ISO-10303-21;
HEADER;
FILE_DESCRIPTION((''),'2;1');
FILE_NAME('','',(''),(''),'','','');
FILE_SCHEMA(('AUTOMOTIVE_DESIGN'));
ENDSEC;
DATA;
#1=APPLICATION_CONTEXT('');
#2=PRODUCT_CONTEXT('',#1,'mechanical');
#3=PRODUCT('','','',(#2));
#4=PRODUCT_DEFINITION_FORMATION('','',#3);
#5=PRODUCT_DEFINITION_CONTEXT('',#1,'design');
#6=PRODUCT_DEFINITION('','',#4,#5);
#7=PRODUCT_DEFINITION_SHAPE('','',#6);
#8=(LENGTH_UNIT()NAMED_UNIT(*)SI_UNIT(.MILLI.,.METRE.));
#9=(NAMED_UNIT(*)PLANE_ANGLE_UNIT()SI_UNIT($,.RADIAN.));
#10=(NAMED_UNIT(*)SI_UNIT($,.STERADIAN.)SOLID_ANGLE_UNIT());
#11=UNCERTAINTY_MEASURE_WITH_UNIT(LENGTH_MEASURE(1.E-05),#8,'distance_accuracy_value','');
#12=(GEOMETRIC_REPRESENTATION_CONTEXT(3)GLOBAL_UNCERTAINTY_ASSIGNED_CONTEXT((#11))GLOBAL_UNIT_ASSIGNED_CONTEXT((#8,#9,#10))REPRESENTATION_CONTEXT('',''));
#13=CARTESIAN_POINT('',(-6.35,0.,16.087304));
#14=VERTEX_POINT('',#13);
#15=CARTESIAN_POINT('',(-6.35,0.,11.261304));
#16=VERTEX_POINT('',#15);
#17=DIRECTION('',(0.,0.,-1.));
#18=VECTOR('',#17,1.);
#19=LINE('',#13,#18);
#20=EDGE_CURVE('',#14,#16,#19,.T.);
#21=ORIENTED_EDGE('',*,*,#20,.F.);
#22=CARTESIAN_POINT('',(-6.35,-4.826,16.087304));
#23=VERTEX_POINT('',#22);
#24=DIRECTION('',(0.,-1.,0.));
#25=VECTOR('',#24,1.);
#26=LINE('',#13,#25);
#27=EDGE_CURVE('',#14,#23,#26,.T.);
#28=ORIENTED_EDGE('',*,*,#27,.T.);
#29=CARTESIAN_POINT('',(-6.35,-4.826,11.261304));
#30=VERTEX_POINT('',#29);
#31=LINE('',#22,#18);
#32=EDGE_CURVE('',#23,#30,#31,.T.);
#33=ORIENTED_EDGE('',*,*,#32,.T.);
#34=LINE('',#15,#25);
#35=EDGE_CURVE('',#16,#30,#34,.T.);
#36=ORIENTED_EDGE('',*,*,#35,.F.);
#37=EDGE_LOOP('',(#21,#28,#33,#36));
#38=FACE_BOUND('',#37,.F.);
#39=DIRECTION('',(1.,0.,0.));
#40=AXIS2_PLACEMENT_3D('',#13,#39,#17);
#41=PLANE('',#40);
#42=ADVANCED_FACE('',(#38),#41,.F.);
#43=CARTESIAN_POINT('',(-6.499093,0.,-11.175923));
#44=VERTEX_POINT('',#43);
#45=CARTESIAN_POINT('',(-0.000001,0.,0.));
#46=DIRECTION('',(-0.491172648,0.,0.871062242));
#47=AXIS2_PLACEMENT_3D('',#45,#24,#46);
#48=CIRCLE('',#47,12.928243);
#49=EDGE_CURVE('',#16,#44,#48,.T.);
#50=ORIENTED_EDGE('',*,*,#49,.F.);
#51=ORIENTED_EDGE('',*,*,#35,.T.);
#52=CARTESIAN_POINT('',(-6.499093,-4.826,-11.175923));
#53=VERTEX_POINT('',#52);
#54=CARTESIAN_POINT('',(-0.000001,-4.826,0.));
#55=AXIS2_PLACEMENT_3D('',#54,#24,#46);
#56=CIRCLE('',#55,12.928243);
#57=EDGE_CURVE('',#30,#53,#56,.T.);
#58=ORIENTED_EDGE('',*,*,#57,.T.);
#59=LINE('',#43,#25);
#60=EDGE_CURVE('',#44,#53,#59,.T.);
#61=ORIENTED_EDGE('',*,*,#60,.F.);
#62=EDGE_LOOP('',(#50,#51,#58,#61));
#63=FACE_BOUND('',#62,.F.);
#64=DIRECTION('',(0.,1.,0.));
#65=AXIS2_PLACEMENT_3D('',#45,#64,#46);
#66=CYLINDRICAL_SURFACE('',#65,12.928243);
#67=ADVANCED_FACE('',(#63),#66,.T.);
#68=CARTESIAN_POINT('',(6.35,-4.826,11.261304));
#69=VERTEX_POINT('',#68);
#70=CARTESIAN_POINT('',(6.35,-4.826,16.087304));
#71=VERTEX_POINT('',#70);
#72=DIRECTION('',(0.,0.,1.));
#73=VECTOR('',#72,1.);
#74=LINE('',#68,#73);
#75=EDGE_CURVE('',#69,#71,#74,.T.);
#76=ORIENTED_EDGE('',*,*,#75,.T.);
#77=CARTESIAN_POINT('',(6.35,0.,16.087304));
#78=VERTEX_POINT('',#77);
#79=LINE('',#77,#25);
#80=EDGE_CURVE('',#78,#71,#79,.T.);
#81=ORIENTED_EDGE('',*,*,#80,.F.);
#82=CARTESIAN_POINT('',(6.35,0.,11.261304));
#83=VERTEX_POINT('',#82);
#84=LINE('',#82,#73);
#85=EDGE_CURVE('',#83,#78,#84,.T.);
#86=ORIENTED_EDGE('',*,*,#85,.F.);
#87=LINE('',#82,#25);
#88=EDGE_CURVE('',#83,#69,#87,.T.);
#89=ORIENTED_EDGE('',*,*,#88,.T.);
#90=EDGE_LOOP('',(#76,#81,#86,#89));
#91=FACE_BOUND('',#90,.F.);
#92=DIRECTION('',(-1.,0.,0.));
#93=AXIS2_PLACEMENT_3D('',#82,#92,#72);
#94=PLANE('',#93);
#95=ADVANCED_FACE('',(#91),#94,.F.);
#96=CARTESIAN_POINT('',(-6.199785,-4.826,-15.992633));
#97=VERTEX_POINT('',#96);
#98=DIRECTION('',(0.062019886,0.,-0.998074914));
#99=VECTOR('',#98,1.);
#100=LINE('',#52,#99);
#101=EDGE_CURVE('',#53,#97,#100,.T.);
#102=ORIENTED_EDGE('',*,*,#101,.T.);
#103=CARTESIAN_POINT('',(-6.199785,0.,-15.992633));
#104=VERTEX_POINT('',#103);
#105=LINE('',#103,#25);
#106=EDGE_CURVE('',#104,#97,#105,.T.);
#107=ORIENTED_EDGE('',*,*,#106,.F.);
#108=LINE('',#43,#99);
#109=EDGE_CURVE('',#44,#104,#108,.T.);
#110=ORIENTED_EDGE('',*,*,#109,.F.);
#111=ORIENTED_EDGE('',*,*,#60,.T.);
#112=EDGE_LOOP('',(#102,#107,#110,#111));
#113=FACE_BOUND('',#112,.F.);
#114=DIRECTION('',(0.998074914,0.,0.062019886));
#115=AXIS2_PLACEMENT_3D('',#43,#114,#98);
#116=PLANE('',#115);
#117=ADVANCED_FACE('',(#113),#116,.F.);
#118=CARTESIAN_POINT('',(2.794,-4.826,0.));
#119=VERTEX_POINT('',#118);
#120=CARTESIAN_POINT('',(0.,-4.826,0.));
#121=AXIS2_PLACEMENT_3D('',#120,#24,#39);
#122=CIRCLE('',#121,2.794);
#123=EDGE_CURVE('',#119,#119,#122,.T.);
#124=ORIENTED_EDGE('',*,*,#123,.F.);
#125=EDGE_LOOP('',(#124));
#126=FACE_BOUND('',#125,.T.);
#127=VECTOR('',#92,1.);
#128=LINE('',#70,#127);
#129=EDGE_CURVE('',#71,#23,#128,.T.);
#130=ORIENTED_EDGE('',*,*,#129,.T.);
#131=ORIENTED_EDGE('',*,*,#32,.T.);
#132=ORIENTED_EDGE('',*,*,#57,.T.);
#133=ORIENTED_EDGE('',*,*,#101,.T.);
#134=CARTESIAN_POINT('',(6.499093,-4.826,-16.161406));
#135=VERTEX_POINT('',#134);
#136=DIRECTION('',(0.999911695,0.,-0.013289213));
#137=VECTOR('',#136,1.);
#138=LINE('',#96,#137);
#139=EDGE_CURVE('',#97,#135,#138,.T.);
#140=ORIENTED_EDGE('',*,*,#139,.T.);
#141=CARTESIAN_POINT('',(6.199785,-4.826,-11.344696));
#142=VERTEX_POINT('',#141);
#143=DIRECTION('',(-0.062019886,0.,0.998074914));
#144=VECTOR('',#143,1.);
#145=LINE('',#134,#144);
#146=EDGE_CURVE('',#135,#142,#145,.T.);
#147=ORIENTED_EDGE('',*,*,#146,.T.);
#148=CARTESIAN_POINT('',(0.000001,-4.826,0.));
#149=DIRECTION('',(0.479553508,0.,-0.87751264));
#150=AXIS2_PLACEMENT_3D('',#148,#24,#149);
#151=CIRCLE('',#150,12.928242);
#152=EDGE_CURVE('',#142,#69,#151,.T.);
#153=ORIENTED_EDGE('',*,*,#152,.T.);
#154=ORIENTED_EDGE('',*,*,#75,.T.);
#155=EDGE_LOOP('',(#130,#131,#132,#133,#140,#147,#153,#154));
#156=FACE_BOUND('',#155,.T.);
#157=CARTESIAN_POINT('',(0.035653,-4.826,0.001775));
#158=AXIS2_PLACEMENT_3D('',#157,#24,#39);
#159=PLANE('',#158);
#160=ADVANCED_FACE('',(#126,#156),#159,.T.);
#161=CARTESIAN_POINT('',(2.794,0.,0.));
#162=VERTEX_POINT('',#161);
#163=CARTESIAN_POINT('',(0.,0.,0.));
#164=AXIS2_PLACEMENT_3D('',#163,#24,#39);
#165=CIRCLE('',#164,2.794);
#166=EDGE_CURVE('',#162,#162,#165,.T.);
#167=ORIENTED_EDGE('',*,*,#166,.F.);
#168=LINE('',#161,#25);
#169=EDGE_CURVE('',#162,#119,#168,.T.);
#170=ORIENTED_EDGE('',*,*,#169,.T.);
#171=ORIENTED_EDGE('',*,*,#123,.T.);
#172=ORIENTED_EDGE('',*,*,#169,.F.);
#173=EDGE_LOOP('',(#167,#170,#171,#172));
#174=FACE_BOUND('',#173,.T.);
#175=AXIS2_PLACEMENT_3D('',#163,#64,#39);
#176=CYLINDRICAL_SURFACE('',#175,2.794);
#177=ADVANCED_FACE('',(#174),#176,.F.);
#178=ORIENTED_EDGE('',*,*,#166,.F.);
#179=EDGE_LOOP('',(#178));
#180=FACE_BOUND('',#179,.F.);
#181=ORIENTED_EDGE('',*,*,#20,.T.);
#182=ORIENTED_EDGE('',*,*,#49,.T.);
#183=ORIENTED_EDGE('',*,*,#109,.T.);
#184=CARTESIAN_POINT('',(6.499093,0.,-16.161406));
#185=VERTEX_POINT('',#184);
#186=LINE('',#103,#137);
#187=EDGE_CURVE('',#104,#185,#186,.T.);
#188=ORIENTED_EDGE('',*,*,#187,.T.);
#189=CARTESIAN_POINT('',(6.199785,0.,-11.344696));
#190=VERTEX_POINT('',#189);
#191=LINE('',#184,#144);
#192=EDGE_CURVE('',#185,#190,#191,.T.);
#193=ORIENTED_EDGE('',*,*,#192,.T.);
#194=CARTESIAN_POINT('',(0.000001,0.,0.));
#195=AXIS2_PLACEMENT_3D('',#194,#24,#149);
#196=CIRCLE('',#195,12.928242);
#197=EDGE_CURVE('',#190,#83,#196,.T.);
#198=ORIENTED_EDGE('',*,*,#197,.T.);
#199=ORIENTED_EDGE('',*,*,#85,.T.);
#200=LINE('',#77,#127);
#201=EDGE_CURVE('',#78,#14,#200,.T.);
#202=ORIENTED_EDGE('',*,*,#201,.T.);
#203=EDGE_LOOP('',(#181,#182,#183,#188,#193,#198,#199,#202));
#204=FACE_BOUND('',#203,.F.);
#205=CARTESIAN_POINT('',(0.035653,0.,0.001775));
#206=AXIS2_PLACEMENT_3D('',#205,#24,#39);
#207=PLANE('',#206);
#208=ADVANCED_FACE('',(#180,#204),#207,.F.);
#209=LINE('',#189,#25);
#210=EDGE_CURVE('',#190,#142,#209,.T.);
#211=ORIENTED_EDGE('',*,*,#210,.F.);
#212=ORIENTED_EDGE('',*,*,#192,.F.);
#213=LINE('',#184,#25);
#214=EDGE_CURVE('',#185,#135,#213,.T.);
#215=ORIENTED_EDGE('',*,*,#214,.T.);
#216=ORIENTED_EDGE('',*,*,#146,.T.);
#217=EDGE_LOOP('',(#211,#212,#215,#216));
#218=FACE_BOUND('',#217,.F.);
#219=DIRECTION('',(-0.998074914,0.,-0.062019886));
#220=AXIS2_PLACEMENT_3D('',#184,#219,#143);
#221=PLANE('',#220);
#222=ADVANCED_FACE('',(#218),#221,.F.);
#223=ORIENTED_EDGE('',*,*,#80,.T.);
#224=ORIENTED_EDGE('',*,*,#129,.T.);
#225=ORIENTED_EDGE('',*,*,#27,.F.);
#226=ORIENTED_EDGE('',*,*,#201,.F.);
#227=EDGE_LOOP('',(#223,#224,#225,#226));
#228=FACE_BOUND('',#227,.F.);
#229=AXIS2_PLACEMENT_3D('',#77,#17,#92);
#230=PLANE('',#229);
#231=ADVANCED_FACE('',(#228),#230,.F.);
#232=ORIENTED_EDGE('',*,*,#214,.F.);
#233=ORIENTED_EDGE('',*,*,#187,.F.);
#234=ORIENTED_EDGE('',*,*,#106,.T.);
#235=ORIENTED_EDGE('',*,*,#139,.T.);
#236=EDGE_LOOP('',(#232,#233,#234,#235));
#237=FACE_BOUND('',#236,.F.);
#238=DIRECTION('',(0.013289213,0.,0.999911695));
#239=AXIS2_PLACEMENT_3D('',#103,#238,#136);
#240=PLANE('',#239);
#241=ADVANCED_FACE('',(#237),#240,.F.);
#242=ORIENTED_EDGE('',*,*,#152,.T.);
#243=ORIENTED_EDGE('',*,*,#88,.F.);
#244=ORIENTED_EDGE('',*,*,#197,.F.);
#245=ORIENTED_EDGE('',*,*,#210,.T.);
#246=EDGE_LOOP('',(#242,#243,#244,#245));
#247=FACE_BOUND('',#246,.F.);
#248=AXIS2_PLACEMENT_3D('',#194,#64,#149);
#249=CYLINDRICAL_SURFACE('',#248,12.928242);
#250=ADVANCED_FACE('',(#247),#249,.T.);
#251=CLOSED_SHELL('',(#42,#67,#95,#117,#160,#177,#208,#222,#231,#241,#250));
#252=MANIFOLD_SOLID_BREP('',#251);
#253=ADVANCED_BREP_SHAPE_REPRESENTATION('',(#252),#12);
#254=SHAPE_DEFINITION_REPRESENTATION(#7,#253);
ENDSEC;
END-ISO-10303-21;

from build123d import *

# Parameters (mm, degrees)
F0_R     = 2.794
F1_DEPTH = 4.826


with BuildPart() as f1:
    # F0 (on Front) → F1 (new body)
    with BuildSketch(Plane.XZ):
        with BuildLine():
            Line((-6.199785, -15.992633), (6.499093, -16.161406))
            Line((6.499093, -16.161406), (6.199785, -11.344696))
            ThreePointArc((6.199785, -11.344696), (12.927958, -0.085905), (6.35, 11.261304))
            Line((6.35, 11.261304), (6.35, 16.087304))
            Line((6.35, 16.087304), (-6.35, 16.087304))
            Line((-6.35, 16.087304), (-6.35, 11.261304))
            ThreePointArc((-6.35, 11.261304), (-12.927958, 0.085905), (-6.499093, -11.175923))
            Line((-6.499093, -11.175923), (-6.199785, -15.992633))
        make_face()
        Circle(F0_R, mode=Mode.SUBTRACT)
    extrude(amount=F1_DEPTH)


solid = f1.part
